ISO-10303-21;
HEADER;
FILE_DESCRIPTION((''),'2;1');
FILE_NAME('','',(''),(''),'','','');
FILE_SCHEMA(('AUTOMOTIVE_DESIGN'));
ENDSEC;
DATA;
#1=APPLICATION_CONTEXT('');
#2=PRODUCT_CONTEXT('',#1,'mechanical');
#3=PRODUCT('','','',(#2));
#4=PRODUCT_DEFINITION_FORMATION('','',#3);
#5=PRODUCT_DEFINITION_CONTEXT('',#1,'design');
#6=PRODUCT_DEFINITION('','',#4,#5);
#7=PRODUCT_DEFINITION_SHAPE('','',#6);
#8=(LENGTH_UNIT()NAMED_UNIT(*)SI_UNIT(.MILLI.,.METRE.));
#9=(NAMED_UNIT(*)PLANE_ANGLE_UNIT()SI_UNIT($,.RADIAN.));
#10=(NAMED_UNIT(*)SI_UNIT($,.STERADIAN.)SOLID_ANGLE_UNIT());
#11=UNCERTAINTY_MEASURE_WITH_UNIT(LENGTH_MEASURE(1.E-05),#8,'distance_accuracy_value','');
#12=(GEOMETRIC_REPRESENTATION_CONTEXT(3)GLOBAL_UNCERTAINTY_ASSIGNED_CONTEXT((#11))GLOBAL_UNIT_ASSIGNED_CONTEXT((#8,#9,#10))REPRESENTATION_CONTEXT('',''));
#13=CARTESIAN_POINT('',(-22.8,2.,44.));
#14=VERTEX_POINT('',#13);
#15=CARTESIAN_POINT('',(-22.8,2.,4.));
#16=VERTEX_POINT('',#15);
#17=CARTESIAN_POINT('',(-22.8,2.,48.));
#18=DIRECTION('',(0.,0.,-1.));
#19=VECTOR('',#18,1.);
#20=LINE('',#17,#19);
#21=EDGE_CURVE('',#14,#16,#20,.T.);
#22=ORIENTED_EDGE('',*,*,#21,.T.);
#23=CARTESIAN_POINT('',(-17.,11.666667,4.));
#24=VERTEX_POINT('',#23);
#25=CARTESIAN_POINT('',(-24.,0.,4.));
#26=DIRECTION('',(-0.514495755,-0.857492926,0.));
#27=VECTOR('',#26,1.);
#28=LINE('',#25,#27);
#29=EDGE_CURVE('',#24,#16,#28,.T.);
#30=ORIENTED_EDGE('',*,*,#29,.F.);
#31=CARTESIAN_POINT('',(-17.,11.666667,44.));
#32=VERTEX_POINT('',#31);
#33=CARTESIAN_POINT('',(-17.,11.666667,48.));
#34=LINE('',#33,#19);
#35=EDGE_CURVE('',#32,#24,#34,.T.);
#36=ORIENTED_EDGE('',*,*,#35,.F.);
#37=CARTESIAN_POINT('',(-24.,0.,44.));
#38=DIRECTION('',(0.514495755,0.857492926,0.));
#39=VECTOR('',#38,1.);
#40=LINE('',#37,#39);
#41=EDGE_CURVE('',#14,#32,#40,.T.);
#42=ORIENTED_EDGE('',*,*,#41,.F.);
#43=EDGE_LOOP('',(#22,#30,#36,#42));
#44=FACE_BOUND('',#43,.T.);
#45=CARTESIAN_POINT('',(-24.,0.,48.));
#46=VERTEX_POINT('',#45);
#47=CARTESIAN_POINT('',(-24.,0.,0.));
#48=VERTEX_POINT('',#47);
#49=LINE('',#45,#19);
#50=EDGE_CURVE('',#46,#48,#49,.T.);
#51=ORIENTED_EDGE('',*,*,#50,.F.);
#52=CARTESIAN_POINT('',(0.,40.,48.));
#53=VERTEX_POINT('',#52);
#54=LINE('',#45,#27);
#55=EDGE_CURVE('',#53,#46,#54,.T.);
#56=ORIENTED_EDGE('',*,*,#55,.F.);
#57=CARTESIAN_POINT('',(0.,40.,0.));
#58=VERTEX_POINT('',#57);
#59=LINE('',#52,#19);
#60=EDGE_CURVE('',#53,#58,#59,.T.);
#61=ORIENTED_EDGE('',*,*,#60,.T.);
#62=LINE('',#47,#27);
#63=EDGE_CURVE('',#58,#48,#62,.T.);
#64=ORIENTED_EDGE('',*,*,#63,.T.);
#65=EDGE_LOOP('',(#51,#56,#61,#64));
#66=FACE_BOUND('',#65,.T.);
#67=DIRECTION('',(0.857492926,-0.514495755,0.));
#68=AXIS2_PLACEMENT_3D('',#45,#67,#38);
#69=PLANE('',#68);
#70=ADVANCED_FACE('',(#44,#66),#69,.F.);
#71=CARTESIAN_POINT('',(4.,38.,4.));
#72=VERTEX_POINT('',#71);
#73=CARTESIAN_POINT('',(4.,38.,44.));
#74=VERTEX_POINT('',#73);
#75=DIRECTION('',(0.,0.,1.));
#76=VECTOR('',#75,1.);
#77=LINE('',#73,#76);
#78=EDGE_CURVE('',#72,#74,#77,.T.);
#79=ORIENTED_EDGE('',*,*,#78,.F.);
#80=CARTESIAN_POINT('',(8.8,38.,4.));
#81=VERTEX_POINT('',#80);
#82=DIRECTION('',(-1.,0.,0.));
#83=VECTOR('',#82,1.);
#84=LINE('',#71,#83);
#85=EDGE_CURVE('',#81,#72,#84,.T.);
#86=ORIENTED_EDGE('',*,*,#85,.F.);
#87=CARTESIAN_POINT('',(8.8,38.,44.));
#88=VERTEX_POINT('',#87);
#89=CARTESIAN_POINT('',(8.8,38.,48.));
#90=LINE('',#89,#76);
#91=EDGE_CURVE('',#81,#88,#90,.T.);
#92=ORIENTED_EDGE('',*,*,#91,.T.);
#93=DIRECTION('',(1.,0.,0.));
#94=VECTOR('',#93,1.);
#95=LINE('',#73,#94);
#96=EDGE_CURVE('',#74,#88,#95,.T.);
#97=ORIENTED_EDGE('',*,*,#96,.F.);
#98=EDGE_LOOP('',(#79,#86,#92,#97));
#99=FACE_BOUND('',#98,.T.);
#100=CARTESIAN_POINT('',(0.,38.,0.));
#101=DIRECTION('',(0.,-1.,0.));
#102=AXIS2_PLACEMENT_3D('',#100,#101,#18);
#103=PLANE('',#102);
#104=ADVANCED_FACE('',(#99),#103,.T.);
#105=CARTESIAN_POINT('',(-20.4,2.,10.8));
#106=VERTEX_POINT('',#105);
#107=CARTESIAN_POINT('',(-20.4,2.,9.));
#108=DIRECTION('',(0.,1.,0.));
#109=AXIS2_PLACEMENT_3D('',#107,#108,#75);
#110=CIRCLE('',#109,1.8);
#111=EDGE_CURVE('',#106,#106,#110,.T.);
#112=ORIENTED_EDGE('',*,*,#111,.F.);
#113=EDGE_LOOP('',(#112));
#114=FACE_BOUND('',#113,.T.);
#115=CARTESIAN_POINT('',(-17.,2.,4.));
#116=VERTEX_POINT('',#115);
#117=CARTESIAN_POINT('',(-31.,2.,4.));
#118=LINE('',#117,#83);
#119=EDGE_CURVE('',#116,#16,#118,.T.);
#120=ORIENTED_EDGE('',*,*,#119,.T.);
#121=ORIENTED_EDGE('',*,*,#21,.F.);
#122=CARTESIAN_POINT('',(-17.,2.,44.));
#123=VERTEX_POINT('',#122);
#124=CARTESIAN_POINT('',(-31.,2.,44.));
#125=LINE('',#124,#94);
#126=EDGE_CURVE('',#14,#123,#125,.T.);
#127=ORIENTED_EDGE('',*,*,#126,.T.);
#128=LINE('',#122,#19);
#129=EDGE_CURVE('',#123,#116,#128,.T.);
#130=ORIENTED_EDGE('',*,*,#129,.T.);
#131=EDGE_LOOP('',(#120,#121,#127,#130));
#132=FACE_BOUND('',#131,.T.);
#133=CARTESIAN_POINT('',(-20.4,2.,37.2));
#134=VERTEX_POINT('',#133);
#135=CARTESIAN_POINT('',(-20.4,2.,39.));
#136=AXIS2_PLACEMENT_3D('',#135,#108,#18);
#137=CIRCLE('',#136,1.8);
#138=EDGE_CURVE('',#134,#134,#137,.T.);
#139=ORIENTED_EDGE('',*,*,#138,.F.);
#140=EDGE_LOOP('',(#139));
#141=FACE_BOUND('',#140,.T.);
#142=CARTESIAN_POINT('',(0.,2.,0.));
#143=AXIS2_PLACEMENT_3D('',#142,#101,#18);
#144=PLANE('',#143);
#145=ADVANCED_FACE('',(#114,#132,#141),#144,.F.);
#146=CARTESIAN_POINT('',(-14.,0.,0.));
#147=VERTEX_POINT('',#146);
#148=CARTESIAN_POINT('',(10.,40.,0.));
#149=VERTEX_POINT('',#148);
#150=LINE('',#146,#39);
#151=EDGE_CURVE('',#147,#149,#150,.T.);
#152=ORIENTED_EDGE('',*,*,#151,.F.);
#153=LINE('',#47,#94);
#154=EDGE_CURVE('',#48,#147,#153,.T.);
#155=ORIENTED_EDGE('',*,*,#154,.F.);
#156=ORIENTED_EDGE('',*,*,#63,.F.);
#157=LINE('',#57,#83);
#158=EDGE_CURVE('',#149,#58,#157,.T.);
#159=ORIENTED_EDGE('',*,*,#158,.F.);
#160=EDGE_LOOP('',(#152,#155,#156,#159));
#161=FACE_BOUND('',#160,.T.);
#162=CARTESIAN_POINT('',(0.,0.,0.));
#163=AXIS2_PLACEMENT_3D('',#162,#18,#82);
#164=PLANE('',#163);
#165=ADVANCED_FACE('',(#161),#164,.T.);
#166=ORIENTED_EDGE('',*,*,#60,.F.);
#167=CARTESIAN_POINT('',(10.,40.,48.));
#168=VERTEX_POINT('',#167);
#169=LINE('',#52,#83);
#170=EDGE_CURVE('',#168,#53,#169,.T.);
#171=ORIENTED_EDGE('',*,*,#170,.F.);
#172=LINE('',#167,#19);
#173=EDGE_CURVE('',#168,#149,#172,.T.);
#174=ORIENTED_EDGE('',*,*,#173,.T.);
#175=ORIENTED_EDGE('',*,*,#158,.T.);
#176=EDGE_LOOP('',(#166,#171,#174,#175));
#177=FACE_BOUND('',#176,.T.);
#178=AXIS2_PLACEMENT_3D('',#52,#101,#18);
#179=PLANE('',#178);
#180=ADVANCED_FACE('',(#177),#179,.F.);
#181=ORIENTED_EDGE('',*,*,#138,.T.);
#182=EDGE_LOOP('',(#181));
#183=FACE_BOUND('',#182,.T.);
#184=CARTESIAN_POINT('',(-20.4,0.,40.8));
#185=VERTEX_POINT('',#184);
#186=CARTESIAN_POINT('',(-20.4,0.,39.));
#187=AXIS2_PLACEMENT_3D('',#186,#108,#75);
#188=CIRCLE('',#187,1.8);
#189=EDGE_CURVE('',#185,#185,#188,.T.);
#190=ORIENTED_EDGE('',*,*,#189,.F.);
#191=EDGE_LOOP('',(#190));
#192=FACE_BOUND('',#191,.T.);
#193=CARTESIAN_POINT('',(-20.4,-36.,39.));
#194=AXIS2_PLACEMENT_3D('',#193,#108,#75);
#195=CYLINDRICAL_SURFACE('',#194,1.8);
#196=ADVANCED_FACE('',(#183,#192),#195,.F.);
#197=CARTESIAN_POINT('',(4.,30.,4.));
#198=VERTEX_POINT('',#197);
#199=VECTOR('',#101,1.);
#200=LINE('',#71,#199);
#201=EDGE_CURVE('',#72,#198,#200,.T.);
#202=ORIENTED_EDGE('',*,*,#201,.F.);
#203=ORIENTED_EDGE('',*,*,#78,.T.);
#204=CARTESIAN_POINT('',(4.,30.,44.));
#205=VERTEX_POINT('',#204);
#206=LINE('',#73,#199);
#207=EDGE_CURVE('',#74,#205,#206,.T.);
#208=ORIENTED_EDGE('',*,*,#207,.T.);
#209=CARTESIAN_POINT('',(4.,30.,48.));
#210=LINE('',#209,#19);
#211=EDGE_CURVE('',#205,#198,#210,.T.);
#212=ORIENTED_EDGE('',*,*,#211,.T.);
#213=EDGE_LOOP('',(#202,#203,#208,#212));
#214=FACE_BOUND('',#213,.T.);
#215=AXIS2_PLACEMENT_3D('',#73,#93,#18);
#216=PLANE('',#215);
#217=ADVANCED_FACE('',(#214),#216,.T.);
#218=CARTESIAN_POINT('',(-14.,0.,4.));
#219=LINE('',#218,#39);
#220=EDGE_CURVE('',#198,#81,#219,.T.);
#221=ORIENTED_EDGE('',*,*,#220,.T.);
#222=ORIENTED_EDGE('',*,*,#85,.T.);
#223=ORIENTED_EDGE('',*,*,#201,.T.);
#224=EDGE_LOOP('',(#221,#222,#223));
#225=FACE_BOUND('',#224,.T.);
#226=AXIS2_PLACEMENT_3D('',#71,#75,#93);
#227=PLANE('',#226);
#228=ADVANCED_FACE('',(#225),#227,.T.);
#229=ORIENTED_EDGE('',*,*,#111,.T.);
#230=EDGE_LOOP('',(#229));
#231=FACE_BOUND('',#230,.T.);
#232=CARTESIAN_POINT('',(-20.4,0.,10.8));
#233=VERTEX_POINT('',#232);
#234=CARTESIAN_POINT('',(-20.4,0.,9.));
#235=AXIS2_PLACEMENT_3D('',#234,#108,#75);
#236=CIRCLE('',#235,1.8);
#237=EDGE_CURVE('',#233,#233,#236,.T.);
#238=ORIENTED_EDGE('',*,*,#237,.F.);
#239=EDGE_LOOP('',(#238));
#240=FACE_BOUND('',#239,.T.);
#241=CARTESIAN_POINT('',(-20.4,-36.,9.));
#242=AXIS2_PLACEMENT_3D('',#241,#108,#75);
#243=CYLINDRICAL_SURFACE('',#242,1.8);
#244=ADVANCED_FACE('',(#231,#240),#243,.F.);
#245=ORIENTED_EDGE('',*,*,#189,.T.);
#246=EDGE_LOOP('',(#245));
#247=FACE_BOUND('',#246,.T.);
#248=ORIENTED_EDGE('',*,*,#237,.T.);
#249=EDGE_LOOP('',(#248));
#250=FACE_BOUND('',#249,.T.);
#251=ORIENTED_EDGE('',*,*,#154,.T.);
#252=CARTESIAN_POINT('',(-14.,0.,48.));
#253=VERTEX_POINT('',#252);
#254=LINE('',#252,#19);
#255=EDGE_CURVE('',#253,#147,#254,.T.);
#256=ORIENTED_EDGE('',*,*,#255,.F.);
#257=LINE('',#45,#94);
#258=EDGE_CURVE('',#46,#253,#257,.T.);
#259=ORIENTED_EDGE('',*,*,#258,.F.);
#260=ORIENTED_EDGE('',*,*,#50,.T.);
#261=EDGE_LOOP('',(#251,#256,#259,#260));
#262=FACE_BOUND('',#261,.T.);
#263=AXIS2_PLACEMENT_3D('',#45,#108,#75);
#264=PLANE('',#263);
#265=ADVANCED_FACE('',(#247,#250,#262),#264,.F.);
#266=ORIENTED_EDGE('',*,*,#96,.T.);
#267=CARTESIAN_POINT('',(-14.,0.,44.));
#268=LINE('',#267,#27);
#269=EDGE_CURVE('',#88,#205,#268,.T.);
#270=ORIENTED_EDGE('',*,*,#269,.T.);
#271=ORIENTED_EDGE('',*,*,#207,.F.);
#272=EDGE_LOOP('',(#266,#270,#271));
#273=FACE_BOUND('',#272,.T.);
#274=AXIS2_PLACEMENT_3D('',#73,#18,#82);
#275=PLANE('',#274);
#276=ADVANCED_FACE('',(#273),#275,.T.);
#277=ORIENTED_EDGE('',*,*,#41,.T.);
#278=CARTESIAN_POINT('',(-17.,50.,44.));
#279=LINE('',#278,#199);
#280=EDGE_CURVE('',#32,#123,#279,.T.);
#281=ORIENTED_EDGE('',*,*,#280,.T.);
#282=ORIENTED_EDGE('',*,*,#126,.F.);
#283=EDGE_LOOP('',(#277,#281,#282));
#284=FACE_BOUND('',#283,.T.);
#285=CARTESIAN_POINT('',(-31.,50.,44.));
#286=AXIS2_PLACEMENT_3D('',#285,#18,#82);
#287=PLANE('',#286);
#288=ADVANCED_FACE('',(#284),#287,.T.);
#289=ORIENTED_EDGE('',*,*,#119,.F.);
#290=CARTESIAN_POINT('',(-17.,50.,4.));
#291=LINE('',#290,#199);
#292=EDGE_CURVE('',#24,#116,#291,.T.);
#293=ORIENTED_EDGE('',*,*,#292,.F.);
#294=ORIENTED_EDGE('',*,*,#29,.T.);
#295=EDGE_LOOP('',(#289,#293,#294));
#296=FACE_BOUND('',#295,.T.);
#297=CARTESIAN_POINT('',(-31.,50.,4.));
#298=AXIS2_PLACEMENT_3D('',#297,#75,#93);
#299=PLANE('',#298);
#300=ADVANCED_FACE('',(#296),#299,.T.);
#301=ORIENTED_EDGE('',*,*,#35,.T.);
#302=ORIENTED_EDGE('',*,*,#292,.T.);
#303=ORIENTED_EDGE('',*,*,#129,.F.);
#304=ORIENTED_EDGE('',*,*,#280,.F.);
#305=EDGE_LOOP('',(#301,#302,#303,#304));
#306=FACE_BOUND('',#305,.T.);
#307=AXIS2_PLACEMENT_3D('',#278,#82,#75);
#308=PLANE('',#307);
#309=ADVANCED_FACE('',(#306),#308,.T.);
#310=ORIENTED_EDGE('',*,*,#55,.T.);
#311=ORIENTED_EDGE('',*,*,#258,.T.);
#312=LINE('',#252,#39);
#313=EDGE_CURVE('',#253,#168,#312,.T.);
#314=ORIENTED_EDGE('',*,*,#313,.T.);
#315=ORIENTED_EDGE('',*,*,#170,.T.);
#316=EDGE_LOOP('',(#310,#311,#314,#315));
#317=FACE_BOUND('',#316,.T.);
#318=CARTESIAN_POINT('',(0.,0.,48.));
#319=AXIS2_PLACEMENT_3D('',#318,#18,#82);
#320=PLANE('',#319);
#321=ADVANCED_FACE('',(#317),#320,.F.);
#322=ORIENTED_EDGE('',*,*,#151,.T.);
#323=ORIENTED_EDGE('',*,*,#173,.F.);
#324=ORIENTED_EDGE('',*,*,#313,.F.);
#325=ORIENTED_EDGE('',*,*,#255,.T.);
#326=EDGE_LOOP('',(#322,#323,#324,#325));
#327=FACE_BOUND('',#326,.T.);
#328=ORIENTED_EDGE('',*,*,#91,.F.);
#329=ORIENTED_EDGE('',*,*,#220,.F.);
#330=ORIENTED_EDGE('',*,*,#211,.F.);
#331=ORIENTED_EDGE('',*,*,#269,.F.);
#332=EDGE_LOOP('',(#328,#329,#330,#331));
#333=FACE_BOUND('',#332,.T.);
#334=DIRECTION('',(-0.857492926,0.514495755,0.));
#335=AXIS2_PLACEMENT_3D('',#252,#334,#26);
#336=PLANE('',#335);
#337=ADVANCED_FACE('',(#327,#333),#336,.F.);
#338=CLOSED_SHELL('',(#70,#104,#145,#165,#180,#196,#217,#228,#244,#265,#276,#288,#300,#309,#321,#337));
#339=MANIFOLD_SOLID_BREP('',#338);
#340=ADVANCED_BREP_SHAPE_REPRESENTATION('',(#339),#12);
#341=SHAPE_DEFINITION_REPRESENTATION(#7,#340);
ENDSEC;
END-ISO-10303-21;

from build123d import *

# Parameters (mm, degrees)
EXTRUDE_1_DEPTH     = 48
CUT_EXTRUDE_START   = 2
SKETCH_2_W          = 14
SKETCH_2_H          = 40
CUT_EXTRUDE_1_DEPTH = 48
SKETCH_3_W          = 12
SKETCH_3_H          = 40
CUT_EXTRUDE_2_DEPTH = 38
SKETCH_4_R          = 1.8
CUT_EXTRUDE_3_DEPTH = 38


with BuildPart() as part:
    # 草图1 → 凸台-拉伸1 (new body)
    with BuildSketch(Plane.XY):
        Polygon((-24, 0), (-14, 0), (10, 40), (0, 40), align=None)
    extrude(amount=EXTRUDE_1_DEPTH)

    # 草图2 → 切除-拉伸1 (cut)
    with BuildSketch(Plane(origin=(0, 0, 0), x_dir=(1, 0, 0), z_dir=(0, 1, 0)).offset(CUT_EXTRUDE_START)):
        with Locations((-24, -24)):
            Rectangle(SKETCH_2_W, SKETCH_2_H)
    extrude(amount=CUT_EXTRUDE_1_DEPTH, mode=Mode.SUBTRACT)

    # 草图3 → 切除-拉伸2 (cut)
    with BuildSketch(Plane(origin=(0, 0, 0), x_dir=(1, 0, 0), z_dir=(0, 1, 0))):
        with Locations((10, -24)):
            Rectangle(SKETCH_3_W, SKETCH_3_H)
    extrude(amount=CUT_EXTRUDE_2_DEPTH, mode=Mode.SUBTRACT)

    # 草图4 → 切除-拉伸3 (cut)
    with BuildSketch(Plane(origin=(0, 2, 0), x_dir=(1, 0, 0), z_dir=(0, 1, 0))):
        with Locations(Location((-20.4, -9, 0), (0, 0, 270))):
            Circle(SKETCH_4_R)
        with Locations(Location((-20.4, -39, 0), (0, 0, 270))):
            Circle(SKETCH_4_R)
    extrude(amount=-CUT_EXTRUDE_3_DEPTH, mode=Mode.SUBTRACT)


solid = part.part
